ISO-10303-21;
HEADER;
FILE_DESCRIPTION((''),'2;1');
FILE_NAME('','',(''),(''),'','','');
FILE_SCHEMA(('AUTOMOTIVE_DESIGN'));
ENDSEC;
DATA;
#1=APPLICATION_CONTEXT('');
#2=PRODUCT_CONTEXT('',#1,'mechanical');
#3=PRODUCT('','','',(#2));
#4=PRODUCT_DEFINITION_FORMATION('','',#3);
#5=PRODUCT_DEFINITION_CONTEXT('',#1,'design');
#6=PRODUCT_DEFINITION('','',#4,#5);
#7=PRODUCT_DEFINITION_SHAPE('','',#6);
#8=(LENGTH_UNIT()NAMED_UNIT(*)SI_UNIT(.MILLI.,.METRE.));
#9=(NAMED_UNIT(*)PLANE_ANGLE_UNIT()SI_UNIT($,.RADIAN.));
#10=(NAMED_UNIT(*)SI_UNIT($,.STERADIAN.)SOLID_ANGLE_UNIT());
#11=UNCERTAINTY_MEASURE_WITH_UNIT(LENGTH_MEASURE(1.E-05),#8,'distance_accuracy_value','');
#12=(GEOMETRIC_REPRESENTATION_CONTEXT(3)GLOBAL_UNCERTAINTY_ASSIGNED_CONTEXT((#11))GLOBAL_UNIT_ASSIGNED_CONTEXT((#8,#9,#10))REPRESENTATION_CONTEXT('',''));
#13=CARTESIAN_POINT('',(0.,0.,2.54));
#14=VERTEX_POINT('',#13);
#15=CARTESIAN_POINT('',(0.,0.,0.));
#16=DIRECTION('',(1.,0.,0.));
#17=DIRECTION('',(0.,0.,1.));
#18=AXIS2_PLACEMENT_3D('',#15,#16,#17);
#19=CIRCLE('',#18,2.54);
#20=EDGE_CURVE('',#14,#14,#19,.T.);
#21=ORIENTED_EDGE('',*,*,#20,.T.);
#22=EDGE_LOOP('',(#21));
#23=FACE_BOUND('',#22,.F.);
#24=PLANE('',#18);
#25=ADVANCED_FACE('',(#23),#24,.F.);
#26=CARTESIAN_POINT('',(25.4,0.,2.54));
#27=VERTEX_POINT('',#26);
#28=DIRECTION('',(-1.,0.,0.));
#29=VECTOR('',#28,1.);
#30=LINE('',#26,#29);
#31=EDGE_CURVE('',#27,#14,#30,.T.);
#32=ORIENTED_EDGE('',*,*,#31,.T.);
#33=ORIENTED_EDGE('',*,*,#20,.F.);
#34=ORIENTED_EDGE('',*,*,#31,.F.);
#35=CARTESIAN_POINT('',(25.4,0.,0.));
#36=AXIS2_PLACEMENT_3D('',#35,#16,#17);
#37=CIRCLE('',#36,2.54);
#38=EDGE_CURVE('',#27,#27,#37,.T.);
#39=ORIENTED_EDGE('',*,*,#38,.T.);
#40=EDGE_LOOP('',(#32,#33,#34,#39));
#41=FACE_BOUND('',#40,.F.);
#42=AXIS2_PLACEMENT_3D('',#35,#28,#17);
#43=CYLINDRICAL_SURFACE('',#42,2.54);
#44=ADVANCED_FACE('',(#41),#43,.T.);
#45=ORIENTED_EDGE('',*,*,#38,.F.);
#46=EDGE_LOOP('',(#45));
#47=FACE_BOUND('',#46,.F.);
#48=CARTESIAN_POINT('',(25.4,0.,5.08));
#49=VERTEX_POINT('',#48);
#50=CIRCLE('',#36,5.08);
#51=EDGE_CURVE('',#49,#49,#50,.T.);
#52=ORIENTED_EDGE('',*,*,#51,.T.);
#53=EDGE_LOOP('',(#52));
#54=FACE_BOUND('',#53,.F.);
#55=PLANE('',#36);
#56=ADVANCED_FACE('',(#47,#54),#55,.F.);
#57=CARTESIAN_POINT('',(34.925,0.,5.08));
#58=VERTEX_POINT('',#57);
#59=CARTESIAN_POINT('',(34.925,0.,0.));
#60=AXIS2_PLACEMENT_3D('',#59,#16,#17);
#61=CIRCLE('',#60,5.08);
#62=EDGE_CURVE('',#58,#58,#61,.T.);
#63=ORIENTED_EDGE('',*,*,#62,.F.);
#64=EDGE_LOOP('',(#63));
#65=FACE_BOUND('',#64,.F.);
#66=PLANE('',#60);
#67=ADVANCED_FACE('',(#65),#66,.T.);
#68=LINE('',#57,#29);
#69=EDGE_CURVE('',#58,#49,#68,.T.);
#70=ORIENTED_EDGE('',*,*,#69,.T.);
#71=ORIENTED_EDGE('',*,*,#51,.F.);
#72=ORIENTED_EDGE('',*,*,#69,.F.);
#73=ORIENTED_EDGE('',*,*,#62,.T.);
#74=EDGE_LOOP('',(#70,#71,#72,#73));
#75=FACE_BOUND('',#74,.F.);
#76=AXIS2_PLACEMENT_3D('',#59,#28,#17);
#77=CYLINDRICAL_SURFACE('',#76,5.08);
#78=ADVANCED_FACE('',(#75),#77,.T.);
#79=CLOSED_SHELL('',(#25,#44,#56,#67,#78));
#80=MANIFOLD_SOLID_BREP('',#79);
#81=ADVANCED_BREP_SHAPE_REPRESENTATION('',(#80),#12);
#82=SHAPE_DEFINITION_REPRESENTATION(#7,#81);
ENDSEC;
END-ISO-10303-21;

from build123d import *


with BuildPart() as f1:
    # F0 (on Front) → F1 (revolve)
    with BuildSketch(Plane.XZ):
        Polygon((0, 2.54), (0, 0), (34.925, 0), (34.925, 2.54), (34.925, 5.08), (25.4, 5.08), (25.4, 2.54), align=None)
    revolve(axis=Axis((17.4625, 0, 0), (1, 0, 0)))


solid = f1.part
